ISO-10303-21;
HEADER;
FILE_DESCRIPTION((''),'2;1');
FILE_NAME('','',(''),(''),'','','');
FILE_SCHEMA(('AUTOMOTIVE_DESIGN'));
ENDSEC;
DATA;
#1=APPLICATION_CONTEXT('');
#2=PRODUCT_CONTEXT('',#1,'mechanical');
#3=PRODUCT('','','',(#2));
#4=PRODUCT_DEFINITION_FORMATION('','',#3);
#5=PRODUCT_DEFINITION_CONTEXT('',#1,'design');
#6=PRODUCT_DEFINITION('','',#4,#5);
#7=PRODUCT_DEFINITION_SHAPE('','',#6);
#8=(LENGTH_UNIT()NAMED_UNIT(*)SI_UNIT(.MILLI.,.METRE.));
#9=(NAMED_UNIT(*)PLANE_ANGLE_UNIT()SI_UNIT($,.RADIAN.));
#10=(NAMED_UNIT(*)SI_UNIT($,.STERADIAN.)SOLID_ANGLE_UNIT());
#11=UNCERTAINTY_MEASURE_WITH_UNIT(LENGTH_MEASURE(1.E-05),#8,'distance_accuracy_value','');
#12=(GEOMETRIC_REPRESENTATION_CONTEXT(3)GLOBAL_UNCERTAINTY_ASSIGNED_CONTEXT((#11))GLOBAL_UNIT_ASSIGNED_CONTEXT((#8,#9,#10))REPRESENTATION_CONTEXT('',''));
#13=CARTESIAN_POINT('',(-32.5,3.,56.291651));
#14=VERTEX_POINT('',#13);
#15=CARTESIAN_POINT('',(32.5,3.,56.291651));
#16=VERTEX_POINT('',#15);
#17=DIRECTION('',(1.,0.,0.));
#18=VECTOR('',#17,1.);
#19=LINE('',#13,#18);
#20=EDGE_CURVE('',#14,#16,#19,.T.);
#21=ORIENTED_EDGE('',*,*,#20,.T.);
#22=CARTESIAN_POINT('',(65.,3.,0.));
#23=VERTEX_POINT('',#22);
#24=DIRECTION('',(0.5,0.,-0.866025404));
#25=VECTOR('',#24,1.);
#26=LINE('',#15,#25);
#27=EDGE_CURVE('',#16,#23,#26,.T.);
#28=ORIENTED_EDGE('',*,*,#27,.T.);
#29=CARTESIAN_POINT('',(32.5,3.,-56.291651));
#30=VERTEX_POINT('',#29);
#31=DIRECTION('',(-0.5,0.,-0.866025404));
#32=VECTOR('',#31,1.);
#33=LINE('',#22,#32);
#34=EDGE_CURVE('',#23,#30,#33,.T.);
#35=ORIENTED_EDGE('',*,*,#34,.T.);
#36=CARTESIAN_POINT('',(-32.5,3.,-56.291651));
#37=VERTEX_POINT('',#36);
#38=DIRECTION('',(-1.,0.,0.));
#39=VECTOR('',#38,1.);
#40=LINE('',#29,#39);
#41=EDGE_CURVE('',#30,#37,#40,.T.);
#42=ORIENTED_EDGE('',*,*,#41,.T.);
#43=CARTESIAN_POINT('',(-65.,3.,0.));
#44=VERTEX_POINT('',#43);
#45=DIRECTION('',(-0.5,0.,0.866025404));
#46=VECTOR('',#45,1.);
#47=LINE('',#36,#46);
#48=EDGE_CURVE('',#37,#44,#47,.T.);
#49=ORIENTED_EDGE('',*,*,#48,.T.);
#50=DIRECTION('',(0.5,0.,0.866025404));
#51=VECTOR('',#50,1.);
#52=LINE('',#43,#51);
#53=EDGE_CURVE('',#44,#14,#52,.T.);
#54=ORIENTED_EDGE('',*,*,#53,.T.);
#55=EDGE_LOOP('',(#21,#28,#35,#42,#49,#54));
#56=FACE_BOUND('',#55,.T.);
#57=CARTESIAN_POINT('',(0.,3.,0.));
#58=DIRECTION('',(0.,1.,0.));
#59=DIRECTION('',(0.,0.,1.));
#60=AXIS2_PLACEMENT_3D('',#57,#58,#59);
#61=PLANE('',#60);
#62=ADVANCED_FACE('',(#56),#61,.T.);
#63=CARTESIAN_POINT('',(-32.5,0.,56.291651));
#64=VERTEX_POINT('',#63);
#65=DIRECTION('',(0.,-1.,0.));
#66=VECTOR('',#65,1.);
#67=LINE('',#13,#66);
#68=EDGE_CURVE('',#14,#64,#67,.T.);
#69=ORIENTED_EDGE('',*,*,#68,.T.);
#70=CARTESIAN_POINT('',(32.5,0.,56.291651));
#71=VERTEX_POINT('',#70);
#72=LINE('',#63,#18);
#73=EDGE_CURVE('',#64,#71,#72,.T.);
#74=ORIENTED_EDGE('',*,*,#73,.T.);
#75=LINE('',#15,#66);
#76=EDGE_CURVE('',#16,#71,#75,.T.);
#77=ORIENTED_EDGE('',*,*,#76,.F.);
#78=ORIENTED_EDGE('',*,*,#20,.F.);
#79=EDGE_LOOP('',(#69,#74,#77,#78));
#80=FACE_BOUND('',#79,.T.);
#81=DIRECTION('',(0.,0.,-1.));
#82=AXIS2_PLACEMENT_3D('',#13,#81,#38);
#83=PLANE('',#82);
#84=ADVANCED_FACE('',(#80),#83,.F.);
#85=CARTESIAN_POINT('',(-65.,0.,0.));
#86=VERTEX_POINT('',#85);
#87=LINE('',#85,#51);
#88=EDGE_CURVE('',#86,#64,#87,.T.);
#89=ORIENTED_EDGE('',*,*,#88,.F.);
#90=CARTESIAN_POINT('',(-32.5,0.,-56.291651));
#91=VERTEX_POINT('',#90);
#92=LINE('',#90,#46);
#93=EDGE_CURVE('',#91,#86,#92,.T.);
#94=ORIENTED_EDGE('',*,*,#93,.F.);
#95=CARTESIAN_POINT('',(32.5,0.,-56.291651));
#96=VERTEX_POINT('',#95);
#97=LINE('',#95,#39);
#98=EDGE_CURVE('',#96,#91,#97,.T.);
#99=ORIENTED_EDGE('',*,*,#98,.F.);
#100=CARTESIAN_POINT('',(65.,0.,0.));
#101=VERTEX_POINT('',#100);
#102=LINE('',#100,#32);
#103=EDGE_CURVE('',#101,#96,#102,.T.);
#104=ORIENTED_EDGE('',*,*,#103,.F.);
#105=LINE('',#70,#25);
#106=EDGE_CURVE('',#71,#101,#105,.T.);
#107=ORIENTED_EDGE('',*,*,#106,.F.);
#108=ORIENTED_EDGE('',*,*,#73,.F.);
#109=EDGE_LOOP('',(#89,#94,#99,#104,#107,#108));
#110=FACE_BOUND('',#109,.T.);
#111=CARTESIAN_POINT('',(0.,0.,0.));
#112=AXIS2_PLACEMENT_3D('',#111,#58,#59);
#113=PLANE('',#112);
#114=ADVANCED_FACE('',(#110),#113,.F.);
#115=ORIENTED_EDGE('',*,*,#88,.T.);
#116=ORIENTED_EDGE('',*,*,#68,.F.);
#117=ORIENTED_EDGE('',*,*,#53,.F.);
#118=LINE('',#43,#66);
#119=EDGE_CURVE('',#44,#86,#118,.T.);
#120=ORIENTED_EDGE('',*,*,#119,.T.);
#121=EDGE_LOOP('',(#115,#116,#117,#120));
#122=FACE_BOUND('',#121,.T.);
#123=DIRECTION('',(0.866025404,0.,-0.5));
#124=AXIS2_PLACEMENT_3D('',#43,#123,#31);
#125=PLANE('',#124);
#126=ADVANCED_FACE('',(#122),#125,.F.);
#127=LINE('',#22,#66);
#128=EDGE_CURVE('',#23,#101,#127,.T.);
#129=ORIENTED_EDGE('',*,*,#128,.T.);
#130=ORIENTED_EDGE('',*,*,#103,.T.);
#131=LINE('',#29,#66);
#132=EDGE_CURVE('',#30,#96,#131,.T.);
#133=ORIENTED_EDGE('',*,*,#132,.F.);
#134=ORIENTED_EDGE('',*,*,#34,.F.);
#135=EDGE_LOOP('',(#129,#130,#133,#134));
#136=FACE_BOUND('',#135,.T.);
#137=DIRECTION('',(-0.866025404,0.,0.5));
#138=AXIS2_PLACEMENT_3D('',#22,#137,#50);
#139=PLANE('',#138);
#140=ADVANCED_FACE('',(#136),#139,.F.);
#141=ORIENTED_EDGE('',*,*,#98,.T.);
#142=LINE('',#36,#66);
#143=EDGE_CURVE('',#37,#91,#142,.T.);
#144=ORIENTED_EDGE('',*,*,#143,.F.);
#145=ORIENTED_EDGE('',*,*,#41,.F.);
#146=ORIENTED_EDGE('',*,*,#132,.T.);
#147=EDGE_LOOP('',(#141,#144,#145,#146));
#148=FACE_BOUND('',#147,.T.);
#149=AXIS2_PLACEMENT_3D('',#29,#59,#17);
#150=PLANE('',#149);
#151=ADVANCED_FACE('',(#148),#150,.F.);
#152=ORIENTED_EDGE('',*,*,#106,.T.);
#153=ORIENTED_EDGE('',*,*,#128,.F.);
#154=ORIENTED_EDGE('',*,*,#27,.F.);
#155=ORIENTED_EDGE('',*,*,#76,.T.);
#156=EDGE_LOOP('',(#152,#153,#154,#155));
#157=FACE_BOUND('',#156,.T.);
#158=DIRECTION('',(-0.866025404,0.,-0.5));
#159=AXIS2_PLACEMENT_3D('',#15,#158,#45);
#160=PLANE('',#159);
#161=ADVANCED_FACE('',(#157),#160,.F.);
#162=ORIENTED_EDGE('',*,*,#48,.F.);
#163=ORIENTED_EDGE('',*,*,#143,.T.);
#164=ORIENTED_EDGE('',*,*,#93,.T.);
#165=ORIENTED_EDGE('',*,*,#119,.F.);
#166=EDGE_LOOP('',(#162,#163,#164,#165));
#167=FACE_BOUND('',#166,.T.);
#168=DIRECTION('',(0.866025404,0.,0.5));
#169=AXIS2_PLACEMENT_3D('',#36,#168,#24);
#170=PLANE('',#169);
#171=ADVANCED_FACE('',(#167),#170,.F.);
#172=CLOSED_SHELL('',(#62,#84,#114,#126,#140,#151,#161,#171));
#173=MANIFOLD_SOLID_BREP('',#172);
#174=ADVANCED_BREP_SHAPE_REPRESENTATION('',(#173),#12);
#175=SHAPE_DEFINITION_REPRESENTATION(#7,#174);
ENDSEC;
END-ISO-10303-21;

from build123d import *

# Parameters (mm, degrees)
EXTRUDE_1_DEPTH = 3


with BuildPart() as part:
    # 草图1 → 凸台-拉伸1 (new body)
    with BuildSketch(Plane(origin=(0, 0, 0), x_dir=(1, 0, 0), z_dir=(0, 1, 0))):
        Polygon((65, 0), (32.5, 56.291651246), (-32.5, 56.291651246), (-65, 0), (-32.5, -56.291651246), (32.5, -56.291651246), align=None)
    extrude(amount=EXTRUDE_1_DEPTH)


solid = part.part
